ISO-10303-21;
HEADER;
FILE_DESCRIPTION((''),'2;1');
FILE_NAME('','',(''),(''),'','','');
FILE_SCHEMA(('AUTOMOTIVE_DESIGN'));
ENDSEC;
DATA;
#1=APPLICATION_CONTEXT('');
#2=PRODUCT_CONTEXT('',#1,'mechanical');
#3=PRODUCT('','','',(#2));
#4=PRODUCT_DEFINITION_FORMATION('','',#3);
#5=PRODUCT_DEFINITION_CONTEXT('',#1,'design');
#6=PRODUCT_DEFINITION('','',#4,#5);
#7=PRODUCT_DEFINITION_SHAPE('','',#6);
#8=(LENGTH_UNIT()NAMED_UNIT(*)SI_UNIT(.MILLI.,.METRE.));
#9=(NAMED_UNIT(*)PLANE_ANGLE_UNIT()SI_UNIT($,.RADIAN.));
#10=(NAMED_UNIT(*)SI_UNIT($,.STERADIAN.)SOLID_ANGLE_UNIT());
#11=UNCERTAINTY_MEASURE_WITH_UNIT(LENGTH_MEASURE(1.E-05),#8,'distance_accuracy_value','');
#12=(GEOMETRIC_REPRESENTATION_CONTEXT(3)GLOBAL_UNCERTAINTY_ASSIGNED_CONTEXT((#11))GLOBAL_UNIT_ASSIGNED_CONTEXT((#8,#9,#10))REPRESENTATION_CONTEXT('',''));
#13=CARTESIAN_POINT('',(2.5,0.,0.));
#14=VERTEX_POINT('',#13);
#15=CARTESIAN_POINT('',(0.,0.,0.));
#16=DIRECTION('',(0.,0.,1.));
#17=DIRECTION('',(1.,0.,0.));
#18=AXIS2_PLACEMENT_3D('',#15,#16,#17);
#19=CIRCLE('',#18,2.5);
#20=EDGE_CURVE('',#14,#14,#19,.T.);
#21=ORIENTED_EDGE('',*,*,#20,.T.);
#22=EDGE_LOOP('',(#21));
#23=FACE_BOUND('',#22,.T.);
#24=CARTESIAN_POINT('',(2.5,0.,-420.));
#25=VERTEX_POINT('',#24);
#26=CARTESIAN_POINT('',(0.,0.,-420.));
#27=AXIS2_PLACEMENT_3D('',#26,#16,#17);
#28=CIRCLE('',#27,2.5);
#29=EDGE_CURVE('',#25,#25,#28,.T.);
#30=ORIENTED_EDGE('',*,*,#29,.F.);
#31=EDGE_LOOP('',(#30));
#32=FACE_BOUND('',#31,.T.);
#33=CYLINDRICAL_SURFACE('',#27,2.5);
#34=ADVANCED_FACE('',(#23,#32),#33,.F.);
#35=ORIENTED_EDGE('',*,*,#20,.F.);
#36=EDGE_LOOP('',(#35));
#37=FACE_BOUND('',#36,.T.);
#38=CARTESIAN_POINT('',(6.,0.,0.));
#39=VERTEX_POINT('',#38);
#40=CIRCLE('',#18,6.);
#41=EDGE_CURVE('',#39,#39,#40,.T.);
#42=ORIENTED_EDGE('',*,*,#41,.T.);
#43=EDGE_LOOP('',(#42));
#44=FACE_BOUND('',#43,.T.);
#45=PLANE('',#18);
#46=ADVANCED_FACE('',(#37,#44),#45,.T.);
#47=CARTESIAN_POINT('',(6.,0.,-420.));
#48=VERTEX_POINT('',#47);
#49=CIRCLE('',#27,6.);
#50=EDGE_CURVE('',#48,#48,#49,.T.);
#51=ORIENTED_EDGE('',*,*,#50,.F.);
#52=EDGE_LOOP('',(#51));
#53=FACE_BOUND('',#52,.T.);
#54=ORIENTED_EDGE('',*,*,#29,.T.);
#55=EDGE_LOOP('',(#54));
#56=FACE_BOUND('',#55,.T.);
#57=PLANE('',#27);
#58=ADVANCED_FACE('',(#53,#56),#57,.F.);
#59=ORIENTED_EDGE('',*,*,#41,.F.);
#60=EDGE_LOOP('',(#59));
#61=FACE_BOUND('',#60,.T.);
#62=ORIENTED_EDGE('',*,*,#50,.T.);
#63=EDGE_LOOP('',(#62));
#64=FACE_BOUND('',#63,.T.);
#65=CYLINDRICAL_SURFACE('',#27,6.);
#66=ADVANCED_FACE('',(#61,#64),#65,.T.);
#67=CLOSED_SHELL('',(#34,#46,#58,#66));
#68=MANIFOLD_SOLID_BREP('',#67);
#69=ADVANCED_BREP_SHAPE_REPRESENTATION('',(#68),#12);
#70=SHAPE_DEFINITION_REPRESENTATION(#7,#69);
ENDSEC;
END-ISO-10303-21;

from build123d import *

# Parameters (mm, degrees)
SKETCH_1_R          = 6
SKETCH_1_R_2        = 0.0005
EXTRUDE_1_DEPTH     = 420
SKETCH_2_R          = 2.5
CUT_EXTRUDE_1_DEPTH = 421.085705541


with BuildPart() as part:
    # 草图1 → 凸台-拉伸1 (new body)
    with BuildSketch(Plane.XY):
        Circle(SKETCH_1_R)
        Circle(SKETCH_1_R_2, mode=Mode.SUBTRACT)
    extrude(amount=-EXTRUDE_1_DEPTH)

    # 草图2 → 切除-拉伸1 (cut, through all)
    with BuildSketch(Plane.XY):
        Circle(SKETCH_2_R)
    extrude(amount=-CUT_EXTRUDE_1_DEPTH, mode=Mode.SUBTRACT)


solid = part.part
